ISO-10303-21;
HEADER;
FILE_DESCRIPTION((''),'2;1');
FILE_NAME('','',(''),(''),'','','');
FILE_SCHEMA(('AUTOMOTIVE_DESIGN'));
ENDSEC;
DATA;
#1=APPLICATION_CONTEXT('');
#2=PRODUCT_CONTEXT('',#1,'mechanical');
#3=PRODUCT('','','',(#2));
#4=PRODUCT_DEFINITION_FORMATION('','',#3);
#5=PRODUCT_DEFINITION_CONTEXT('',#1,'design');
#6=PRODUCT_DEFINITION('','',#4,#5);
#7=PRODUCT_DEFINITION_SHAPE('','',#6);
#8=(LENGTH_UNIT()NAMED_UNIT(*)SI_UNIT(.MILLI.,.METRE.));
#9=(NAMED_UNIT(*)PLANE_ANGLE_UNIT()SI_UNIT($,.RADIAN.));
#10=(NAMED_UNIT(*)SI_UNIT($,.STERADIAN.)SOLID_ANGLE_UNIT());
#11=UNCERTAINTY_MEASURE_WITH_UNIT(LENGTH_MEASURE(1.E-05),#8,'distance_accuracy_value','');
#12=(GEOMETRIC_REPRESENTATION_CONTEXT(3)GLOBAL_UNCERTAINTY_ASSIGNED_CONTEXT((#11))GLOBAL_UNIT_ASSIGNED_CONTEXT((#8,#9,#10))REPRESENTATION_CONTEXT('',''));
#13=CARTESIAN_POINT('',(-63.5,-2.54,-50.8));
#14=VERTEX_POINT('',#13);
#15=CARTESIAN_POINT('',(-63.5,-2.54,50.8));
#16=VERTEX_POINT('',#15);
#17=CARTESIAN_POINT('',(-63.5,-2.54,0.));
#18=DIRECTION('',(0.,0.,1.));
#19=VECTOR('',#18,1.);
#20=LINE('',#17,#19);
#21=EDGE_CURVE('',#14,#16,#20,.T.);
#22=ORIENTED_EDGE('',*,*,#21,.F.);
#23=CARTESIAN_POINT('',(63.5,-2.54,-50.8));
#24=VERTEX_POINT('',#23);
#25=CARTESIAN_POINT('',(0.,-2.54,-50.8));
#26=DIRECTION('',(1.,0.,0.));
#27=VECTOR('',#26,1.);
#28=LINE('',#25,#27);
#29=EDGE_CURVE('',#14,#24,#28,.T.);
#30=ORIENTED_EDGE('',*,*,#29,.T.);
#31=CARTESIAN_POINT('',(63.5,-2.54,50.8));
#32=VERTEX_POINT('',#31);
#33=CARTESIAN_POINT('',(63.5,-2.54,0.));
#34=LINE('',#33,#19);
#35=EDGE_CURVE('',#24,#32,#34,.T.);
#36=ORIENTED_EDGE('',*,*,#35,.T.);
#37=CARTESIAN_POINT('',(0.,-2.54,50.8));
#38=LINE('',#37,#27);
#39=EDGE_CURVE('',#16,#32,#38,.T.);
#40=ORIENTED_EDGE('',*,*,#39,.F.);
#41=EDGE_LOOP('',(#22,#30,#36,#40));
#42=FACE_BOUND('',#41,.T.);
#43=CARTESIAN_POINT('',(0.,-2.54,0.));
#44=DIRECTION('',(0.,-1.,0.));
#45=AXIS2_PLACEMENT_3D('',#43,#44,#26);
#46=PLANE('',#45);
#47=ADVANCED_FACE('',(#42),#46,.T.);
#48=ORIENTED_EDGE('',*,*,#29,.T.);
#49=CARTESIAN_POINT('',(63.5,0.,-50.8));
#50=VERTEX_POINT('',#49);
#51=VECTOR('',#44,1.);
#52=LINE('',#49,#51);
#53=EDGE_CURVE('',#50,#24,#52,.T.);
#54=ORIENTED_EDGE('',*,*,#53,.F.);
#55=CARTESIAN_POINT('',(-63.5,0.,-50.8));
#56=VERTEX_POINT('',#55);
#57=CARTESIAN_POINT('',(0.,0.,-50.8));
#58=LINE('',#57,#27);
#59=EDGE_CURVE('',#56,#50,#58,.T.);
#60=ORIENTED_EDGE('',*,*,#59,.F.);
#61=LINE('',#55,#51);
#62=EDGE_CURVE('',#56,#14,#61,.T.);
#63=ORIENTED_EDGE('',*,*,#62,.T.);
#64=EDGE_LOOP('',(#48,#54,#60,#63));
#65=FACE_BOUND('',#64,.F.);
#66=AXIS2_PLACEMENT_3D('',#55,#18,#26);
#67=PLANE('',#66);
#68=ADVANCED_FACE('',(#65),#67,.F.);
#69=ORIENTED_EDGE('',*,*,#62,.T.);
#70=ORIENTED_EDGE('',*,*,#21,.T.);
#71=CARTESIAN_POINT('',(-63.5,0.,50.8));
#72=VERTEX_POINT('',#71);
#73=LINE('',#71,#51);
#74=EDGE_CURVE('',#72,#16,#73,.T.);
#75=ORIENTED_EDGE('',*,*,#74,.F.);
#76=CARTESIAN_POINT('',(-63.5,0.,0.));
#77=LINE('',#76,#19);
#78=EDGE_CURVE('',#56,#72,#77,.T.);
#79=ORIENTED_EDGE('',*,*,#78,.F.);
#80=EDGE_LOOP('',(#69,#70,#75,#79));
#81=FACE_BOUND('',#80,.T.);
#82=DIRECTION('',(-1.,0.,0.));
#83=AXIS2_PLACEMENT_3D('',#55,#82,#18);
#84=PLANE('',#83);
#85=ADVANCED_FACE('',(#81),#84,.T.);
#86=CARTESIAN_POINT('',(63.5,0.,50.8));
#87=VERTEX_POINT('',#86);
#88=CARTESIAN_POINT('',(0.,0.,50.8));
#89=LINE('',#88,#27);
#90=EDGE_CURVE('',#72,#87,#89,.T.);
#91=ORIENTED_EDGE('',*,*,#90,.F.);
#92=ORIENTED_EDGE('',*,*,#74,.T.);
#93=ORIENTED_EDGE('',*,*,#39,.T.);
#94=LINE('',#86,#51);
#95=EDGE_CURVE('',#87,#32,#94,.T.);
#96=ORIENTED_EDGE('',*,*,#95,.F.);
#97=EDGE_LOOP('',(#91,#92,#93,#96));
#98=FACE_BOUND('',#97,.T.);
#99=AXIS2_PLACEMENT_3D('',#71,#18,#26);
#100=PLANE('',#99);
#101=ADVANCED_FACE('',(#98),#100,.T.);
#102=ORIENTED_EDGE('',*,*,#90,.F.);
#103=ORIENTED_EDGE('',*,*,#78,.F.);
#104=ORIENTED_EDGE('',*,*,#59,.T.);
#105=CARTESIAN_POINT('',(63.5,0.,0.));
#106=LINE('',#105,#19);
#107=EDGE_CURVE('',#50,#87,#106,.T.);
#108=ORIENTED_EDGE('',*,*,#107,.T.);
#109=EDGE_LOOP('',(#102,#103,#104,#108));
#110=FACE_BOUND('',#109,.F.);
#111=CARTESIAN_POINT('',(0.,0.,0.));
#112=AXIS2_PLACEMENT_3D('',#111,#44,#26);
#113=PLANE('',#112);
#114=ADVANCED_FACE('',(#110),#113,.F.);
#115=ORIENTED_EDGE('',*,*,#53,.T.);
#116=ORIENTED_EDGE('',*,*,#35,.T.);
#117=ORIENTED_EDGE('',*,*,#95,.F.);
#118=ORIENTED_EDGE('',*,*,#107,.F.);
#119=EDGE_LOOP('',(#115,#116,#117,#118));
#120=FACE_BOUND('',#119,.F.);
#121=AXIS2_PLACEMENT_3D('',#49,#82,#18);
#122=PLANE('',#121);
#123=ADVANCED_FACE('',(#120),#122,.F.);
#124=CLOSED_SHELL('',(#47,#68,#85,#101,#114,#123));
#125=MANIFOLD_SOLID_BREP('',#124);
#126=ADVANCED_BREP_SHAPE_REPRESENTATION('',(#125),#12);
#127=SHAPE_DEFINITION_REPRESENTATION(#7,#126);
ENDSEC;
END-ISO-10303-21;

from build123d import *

# Parameters (mm, degrees)
F0_W     = 127
F0_H     = 101.6
F1_DEPTH = 2.54


with BuildPart() as f1:
    # F0 (on Front) → F1 (new body)
    with BuildSketch(Plane.XZ):
        Rectangle(F0_W, F0_H)
    extrude(amount=F1_DEPTH)


solid = f1.part
